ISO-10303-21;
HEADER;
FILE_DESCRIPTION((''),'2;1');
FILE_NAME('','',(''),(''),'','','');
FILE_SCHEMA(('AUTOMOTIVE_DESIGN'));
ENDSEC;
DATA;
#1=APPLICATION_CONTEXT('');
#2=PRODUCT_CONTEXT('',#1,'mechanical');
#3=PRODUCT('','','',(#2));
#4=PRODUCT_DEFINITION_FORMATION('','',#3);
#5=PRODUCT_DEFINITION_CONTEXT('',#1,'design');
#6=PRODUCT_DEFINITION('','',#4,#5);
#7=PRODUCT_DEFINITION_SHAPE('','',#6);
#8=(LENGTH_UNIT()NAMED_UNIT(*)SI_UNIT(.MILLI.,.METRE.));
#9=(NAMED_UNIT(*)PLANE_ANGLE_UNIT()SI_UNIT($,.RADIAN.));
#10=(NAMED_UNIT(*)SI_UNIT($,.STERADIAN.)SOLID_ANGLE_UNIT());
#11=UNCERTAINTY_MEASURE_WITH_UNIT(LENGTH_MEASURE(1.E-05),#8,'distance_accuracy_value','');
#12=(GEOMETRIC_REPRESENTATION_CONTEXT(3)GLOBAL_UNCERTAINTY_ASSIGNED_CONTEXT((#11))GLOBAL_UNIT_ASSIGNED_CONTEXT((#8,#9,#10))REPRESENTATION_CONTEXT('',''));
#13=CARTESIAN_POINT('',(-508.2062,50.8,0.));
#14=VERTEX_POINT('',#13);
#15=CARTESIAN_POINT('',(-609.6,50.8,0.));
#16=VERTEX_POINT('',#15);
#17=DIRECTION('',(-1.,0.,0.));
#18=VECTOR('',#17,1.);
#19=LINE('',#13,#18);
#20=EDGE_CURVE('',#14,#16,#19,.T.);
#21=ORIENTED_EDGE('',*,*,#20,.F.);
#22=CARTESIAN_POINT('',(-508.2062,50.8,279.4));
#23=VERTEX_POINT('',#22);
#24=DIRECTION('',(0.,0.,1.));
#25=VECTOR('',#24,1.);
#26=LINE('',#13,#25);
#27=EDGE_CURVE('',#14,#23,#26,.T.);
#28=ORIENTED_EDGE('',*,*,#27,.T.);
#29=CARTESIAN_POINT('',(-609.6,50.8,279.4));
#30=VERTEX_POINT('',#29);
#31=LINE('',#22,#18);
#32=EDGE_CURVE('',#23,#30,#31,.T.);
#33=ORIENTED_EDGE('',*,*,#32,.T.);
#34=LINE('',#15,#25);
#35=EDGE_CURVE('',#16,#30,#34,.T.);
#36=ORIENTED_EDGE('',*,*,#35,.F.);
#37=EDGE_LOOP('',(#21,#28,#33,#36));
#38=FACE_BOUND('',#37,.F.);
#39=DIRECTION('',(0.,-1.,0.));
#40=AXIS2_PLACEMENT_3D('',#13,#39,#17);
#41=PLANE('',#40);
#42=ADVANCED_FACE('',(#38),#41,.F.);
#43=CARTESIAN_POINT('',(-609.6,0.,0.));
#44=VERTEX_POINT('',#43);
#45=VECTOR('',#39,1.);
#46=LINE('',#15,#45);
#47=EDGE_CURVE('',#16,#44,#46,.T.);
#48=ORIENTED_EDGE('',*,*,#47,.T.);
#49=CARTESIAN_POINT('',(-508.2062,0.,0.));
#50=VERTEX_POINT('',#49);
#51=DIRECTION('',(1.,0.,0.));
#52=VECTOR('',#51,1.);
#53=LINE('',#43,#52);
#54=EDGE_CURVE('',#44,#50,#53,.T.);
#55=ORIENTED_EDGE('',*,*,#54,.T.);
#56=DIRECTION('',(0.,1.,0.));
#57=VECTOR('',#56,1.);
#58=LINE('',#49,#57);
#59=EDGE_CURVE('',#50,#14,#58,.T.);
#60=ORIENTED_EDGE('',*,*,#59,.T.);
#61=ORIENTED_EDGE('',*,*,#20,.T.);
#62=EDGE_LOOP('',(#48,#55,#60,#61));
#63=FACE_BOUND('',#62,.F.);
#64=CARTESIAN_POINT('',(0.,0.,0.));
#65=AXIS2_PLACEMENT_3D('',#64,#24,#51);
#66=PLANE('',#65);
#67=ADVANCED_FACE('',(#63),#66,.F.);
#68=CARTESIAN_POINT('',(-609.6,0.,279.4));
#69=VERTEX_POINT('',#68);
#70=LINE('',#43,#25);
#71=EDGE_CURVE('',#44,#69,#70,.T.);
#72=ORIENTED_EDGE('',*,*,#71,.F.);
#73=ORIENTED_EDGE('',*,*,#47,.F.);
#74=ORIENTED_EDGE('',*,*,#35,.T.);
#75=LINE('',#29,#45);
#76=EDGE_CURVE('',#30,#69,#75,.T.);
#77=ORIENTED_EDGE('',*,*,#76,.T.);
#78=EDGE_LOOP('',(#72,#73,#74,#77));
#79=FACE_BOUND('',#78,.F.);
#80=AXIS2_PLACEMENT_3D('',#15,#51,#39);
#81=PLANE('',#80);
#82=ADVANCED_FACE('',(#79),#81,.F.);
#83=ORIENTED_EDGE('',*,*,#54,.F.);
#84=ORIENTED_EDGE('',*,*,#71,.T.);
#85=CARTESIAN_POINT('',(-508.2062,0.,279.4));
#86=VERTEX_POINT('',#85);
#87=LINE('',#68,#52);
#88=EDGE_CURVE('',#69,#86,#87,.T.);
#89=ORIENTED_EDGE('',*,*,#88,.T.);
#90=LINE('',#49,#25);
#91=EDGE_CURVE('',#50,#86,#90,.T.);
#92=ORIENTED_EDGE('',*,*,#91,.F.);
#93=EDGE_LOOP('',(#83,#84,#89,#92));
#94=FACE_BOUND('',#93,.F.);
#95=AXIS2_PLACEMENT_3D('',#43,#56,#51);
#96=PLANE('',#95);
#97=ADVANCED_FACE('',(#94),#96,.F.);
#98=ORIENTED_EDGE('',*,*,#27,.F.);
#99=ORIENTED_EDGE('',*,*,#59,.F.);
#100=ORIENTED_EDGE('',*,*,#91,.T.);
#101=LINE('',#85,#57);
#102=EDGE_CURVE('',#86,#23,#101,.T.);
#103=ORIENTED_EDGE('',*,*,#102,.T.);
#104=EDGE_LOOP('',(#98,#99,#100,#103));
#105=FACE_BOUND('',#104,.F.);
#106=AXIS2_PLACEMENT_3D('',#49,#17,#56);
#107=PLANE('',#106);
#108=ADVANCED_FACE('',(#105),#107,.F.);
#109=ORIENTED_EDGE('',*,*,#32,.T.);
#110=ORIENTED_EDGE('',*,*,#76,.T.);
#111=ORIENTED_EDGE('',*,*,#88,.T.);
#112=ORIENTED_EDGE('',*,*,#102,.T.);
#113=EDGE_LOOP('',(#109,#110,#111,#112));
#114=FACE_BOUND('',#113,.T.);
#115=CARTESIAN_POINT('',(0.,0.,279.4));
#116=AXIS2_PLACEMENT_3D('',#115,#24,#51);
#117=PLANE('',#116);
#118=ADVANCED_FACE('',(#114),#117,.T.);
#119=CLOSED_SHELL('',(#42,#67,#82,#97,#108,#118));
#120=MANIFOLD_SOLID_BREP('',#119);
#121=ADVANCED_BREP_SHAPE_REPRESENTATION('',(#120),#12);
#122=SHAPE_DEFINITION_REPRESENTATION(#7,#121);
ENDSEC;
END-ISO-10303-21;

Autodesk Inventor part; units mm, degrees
ref_plane "YZ Plane" through (0, 0, 0) normal (1, 0, 0) x (0, 1, 0)
ref_plane "XZ Plane" through (0, 0, 0) normal (0, 1, 0) x (-1, 0, 0)
ref_plane "XY Plane" through (0, 0, 0) normal (0, 0, 1) x (1, 0, 0)
ref_plane "Work Plane1" through (0, 0, 0) normal (0, 0, 1) x (1, 0, 0)
sketch "Sketch1" plane through (0, 0, 0) normal (0, 0, 1) x (1, 0, 0)
  line L0 (-609.6, 50.8) -> (-609.6, 0) projected
  line L1 (-609.6, 0) -> (-508.2062, 0) projected
  line L2 (-609.6, 0) -> (-508.2062, 0)
  line L3 (-508.2062, 0) -> (-508.2062, 50.8)
  line L4 (-508.2062, 50.8) -> (-609.6, 50.8)
  line L5 (-609.6, 50.8) -> (-609.6, 0)
  point P0 (0, 0)
extrude "Extrusion1" add sketch "Sketch1" along normal blind 279.4
properties part number "2x4x(Rename)"
